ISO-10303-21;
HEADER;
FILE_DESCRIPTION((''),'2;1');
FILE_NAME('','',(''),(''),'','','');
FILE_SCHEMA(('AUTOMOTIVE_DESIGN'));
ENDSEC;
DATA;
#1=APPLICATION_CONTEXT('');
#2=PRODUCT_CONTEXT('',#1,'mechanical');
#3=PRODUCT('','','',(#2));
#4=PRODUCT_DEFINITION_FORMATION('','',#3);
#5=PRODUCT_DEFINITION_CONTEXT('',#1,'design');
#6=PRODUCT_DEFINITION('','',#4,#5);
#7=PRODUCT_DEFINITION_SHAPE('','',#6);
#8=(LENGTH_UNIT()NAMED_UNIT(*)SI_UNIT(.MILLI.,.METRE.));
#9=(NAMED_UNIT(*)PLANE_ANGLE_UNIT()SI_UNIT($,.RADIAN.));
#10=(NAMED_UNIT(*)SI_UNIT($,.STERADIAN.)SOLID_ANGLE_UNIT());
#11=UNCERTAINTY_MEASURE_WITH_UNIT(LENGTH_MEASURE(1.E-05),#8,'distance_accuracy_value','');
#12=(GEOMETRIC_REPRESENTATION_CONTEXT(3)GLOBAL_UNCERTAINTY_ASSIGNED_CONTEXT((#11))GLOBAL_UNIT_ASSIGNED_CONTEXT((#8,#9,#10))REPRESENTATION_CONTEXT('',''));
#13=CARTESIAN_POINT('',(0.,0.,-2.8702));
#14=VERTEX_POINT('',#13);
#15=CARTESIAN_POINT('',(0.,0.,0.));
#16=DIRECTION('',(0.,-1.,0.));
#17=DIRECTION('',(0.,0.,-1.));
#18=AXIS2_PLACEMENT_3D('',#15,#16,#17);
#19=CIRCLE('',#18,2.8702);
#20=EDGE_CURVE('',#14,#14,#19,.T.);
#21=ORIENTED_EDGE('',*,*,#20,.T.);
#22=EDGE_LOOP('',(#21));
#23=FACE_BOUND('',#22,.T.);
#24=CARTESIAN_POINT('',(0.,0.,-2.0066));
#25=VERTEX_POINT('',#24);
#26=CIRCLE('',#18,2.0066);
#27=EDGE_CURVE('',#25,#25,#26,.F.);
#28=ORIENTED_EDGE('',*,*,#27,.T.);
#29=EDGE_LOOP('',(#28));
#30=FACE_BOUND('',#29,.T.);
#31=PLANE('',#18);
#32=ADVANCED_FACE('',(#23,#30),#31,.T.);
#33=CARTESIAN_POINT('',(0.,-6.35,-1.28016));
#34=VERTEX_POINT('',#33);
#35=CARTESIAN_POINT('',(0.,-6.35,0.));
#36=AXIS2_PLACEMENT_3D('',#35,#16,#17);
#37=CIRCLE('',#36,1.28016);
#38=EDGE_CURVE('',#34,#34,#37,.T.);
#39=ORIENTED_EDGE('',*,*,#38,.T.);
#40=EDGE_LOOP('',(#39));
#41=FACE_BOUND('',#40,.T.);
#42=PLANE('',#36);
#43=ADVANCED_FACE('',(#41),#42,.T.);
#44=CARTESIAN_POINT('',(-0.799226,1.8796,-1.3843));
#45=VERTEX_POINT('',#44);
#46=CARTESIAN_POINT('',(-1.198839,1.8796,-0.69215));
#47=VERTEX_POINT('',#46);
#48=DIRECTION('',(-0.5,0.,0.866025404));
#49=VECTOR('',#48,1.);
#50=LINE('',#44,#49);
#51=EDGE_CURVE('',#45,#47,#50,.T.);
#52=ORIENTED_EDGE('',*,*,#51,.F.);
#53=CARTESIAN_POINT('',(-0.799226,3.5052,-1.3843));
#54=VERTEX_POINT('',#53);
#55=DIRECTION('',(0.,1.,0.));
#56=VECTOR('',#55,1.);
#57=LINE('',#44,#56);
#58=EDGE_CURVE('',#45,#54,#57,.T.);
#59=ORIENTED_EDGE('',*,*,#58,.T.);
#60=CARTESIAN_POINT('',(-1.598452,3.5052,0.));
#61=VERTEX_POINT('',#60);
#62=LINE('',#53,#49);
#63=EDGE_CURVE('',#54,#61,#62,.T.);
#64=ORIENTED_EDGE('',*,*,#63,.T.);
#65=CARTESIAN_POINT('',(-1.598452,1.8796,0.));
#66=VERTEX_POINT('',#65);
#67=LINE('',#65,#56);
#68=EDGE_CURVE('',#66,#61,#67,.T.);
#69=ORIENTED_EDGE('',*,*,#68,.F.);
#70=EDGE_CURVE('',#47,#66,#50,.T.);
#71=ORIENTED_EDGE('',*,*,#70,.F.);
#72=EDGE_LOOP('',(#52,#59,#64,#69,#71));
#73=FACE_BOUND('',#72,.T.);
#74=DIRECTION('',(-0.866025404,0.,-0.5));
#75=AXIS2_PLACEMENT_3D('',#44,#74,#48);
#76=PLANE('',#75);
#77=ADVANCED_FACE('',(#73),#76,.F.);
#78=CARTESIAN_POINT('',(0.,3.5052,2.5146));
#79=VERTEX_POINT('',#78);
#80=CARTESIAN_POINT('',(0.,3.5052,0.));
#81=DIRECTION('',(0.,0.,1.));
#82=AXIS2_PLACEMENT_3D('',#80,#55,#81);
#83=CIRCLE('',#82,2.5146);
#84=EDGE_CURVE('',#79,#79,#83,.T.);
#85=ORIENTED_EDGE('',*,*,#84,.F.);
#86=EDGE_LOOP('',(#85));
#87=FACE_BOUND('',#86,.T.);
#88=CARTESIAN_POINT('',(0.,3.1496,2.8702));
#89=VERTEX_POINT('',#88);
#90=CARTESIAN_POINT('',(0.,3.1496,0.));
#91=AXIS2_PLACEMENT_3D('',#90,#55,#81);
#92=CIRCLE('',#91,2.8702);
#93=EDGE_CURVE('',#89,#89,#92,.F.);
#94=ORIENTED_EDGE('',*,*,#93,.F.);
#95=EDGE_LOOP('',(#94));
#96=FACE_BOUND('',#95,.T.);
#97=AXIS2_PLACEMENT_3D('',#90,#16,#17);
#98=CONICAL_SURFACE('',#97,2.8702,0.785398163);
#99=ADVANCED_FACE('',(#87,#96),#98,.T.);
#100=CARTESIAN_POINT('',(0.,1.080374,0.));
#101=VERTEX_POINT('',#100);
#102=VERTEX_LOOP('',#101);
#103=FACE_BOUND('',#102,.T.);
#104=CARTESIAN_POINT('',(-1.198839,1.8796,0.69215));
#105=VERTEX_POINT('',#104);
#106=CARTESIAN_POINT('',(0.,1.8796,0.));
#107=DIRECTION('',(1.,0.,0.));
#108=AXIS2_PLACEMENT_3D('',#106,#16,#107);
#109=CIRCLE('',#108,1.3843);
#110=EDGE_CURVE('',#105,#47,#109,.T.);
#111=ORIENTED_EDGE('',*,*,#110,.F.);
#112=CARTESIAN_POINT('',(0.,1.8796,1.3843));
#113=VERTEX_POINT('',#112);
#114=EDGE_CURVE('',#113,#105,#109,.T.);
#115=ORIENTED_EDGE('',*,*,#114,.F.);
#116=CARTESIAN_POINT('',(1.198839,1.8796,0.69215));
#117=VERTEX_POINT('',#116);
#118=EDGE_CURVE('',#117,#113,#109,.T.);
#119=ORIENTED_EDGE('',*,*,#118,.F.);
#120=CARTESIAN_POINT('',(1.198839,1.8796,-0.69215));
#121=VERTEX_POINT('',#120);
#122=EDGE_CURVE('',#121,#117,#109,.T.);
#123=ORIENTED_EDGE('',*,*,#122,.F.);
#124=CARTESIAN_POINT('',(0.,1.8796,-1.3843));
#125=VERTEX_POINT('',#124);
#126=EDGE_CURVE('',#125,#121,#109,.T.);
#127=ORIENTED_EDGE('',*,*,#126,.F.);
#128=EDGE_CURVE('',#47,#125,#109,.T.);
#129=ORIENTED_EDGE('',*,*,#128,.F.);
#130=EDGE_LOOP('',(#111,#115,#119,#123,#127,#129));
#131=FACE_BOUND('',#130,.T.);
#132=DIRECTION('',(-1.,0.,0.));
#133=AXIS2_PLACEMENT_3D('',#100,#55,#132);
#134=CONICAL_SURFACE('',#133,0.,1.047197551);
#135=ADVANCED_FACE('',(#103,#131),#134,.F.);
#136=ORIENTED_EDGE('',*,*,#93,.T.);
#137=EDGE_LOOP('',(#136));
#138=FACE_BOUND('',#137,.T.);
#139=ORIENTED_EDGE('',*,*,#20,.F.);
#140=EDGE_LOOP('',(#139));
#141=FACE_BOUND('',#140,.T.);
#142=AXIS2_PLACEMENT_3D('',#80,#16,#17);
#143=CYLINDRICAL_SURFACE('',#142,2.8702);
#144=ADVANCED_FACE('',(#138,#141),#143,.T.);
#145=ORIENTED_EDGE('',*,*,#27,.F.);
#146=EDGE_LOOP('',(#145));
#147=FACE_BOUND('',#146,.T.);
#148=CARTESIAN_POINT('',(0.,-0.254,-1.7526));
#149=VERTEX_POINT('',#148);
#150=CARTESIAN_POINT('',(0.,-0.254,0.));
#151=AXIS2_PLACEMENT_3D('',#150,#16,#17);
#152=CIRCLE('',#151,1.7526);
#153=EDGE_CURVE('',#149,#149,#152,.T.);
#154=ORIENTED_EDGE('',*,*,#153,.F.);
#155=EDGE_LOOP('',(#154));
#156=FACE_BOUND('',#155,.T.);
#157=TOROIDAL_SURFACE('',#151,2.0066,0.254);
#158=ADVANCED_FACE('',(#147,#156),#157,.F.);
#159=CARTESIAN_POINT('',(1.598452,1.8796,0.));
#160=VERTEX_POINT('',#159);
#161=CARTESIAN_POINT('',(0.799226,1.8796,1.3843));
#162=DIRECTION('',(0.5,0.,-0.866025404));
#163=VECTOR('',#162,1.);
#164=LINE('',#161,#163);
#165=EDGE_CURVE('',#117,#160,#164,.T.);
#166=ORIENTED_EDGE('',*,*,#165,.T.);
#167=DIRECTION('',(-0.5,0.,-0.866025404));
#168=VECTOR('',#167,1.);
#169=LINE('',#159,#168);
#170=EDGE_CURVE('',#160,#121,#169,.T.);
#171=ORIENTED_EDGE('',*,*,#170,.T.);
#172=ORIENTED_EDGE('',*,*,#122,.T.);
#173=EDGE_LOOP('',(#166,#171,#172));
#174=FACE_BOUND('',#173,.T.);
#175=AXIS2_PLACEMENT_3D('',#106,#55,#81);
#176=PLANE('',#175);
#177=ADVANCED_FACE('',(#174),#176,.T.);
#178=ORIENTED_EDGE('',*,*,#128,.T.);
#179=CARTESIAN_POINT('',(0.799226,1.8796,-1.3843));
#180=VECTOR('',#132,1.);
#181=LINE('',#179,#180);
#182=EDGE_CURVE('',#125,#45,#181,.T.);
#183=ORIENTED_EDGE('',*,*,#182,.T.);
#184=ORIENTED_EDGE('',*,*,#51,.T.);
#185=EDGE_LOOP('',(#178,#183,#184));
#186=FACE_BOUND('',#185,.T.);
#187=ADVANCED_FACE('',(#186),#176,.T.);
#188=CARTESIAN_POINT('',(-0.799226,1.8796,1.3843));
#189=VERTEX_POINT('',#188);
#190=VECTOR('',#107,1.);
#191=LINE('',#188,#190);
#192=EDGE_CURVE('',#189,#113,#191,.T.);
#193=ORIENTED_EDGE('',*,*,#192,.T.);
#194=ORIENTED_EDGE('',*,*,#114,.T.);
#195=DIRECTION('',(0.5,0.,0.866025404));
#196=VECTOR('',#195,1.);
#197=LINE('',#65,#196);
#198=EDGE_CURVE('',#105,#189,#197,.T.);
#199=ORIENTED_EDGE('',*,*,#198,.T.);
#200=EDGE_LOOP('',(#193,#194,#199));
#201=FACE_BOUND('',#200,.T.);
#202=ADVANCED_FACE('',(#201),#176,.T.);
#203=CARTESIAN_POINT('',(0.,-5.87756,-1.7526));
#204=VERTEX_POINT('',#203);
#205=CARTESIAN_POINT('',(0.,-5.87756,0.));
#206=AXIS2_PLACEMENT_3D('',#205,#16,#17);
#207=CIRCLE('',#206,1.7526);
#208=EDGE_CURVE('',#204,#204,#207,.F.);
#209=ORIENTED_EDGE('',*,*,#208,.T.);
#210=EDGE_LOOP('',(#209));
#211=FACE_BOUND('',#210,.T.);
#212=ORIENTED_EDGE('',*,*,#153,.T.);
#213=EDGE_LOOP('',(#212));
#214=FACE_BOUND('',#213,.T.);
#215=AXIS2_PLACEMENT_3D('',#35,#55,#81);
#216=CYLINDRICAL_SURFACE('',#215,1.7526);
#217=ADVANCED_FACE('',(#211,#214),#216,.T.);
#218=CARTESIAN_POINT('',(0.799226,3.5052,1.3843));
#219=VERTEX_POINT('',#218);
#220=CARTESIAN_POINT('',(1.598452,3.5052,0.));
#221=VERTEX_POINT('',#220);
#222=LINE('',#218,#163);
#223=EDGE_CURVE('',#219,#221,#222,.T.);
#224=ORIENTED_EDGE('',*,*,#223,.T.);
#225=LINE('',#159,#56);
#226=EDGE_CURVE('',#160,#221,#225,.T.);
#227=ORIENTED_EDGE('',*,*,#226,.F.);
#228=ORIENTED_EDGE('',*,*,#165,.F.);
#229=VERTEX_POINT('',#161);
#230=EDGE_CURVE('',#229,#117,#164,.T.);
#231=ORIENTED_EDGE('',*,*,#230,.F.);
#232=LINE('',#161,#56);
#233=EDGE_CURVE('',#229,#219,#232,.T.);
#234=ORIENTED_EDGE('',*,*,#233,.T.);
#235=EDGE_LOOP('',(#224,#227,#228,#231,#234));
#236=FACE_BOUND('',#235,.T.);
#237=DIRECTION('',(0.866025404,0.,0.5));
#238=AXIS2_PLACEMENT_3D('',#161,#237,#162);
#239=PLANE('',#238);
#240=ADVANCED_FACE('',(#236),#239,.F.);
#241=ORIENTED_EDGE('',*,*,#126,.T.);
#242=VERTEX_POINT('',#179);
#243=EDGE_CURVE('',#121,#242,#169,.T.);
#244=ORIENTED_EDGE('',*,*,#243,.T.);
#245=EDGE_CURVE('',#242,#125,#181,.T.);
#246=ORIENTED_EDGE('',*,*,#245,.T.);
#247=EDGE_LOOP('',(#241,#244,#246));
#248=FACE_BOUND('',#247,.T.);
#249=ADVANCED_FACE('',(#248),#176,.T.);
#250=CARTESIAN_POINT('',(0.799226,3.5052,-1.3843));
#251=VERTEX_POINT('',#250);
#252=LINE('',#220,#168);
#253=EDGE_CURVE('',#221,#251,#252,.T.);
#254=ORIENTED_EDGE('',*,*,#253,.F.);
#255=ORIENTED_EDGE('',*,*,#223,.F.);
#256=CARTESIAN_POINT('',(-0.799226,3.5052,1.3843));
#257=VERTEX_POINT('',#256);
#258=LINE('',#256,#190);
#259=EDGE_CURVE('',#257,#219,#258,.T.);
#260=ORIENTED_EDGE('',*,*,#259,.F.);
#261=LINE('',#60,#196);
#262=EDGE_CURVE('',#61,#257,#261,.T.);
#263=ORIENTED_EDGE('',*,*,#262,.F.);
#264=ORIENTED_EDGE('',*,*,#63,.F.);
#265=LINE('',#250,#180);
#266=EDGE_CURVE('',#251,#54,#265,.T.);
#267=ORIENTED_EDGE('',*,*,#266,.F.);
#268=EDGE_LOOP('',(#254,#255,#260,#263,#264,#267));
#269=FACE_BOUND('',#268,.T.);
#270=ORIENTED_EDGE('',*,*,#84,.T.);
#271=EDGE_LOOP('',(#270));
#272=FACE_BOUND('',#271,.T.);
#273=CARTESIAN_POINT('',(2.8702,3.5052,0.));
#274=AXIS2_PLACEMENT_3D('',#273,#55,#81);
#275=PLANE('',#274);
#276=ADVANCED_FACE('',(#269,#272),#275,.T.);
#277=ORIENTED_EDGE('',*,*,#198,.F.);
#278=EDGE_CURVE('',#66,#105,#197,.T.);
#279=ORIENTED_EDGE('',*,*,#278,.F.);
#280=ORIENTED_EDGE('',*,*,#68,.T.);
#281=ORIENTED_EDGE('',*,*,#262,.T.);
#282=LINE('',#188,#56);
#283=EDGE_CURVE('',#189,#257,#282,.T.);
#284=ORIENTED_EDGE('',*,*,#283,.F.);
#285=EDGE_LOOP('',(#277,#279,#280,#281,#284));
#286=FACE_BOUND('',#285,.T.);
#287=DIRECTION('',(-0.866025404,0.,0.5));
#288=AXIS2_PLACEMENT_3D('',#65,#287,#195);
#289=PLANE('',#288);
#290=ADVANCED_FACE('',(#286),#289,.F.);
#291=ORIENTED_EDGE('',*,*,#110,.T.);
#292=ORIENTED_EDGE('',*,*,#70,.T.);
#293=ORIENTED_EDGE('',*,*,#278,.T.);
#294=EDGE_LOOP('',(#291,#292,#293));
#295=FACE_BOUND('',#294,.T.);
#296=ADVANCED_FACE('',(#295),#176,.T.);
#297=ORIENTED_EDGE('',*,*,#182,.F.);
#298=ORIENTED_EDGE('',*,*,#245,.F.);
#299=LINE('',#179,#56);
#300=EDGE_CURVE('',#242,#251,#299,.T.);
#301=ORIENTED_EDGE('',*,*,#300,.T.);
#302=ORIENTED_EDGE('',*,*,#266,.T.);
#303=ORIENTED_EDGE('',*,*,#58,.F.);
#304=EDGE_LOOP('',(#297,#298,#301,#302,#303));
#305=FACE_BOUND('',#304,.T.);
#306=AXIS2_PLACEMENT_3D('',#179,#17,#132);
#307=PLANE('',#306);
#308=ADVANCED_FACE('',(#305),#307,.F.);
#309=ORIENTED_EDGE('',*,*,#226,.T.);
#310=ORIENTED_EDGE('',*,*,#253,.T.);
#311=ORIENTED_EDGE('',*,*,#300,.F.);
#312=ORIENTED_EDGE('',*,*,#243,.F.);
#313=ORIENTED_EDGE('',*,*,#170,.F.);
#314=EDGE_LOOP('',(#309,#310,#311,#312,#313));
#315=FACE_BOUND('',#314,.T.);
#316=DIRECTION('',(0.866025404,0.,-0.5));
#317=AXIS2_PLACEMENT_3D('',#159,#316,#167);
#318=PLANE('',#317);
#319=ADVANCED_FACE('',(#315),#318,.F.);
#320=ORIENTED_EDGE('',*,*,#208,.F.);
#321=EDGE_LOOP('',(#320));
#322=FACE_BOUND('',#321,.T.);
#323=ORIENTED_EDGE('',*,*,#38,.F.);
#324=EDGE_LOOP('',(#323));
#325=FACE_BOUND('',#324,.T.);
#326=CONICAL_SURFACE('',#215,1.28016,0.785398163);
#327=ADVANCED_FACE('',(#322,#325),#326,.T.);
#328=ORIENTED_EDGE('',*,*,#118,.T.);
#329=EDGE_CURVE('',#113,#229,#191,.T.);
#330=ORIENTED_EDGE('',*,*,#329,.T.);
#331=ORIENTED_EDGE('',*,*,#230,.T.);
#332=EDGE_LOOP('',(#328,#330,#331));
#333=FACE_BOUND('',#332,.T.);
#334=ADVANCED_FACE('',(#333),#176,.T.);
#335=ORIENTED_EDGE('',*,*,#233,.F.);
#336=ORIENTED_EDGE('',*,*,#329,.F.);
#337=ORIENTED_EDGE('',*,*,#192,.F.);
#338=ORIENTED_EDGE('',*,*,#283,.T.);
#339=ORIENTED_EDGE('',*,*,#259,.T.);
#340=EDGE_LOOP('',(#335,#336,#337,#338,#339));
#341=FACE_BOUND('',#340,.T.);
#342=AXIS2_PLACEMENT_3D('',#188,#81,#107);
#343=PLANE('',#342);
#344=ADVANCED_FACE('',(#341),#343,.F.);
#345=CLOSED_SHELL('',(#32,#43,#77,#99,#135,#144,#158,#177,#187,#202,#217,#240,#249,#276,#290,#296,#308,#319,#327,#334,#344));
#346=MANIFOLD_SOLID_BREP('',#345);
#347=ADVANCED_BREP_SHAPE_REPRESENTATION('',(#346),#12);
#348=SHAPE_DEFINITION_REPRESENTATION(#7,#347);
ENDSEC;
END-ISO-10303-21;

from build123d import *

# Parameters (mm, degrees)
SKETCH1_W           = 2.8702
SKETCH1_H           = 3.5052
SKETCH2_R           = 1.7526
BOSS_EXTRUDE1_DEPTH = 6.35
CUT_EXTRUDE1_DEPTH  = 1.6256
CHAMFER1_SIZE       = 0.47244
CHAMFER2_SIZE       = 0.3556
FILLET1_R           = 0.254


with BuildPart() as part:
    # Sketch1 → Revolve1 (revolve)
    with BuildSketch(Plane.XY):
        with Locations((1.4351, 1.7526)):
            Rectangle(SKETCH1_W, SKETCH1_H)
    revolve(axis=Axis((0, 3.5052, 0), (0, -1, 0)))

    # Sketch2 → Boss-Extrude1 (add)
    with BuildSketch(Plane.XZ):
        Circle(SKETCH2_R)
    extrude(amount=BOSS_EXTRUDE1_DEPTH)

    # Sketch3 → Cut-Extrude1 (cut)
    with BuildSketch(Plane(origin=(0, 3.5052, 0), x_dir=(-1, 0, 0), z_dir=(0, 1, 0))):
        Polygon((-1.598451955, 0), (-0.799225978, -1.3843), (0.799225978, -1.3843), (1.598451955, 0), (0.799225978, 1.3843), (-0.799225978, 1.3843), align=None)
    extrude(amount=-CUT_EXTRUDE1_DEPTH, mode=Mode.SUBTRACT)

    # Sketch4 → Cut-Revolve1 (revolve, cut)
    with BuildSketch(Plane.XY):
        Polygon((1.3843, 1.8796), (0, 1.8796), (0, 1.080374022), align=None)
    revolve(axis=Axis((0, 1.8796, 0), (0, -1, 0)), mode=Mode.SUBTRACT)

    # Chamfer1
    chamfer1_edges = [part.edges().sort_by_distance(p)[0] for p in [
        (-1.7526, -6.35, 0),
    ]]
    chamfer(chamfer1_edges, length=CHAMFER1_SIZE)

    # Chamfer2
    chamfer2_edges = [part.edges().sort_by_distance(p)[0] for p in [
        (-2.8702, 3.5052, 0),
    ]]
    chamfer(chamfer2_edges, length=CHAMFER2_SIZE)

    # Fillet1
    fillet1_edges = [part.edges().sort_by_distance(p)[0] for p in [
        (-1.7526, 0, 0),
    ]]
    fillet(fillet1_edges, radius=FILLET1_R)


solid = part.part
